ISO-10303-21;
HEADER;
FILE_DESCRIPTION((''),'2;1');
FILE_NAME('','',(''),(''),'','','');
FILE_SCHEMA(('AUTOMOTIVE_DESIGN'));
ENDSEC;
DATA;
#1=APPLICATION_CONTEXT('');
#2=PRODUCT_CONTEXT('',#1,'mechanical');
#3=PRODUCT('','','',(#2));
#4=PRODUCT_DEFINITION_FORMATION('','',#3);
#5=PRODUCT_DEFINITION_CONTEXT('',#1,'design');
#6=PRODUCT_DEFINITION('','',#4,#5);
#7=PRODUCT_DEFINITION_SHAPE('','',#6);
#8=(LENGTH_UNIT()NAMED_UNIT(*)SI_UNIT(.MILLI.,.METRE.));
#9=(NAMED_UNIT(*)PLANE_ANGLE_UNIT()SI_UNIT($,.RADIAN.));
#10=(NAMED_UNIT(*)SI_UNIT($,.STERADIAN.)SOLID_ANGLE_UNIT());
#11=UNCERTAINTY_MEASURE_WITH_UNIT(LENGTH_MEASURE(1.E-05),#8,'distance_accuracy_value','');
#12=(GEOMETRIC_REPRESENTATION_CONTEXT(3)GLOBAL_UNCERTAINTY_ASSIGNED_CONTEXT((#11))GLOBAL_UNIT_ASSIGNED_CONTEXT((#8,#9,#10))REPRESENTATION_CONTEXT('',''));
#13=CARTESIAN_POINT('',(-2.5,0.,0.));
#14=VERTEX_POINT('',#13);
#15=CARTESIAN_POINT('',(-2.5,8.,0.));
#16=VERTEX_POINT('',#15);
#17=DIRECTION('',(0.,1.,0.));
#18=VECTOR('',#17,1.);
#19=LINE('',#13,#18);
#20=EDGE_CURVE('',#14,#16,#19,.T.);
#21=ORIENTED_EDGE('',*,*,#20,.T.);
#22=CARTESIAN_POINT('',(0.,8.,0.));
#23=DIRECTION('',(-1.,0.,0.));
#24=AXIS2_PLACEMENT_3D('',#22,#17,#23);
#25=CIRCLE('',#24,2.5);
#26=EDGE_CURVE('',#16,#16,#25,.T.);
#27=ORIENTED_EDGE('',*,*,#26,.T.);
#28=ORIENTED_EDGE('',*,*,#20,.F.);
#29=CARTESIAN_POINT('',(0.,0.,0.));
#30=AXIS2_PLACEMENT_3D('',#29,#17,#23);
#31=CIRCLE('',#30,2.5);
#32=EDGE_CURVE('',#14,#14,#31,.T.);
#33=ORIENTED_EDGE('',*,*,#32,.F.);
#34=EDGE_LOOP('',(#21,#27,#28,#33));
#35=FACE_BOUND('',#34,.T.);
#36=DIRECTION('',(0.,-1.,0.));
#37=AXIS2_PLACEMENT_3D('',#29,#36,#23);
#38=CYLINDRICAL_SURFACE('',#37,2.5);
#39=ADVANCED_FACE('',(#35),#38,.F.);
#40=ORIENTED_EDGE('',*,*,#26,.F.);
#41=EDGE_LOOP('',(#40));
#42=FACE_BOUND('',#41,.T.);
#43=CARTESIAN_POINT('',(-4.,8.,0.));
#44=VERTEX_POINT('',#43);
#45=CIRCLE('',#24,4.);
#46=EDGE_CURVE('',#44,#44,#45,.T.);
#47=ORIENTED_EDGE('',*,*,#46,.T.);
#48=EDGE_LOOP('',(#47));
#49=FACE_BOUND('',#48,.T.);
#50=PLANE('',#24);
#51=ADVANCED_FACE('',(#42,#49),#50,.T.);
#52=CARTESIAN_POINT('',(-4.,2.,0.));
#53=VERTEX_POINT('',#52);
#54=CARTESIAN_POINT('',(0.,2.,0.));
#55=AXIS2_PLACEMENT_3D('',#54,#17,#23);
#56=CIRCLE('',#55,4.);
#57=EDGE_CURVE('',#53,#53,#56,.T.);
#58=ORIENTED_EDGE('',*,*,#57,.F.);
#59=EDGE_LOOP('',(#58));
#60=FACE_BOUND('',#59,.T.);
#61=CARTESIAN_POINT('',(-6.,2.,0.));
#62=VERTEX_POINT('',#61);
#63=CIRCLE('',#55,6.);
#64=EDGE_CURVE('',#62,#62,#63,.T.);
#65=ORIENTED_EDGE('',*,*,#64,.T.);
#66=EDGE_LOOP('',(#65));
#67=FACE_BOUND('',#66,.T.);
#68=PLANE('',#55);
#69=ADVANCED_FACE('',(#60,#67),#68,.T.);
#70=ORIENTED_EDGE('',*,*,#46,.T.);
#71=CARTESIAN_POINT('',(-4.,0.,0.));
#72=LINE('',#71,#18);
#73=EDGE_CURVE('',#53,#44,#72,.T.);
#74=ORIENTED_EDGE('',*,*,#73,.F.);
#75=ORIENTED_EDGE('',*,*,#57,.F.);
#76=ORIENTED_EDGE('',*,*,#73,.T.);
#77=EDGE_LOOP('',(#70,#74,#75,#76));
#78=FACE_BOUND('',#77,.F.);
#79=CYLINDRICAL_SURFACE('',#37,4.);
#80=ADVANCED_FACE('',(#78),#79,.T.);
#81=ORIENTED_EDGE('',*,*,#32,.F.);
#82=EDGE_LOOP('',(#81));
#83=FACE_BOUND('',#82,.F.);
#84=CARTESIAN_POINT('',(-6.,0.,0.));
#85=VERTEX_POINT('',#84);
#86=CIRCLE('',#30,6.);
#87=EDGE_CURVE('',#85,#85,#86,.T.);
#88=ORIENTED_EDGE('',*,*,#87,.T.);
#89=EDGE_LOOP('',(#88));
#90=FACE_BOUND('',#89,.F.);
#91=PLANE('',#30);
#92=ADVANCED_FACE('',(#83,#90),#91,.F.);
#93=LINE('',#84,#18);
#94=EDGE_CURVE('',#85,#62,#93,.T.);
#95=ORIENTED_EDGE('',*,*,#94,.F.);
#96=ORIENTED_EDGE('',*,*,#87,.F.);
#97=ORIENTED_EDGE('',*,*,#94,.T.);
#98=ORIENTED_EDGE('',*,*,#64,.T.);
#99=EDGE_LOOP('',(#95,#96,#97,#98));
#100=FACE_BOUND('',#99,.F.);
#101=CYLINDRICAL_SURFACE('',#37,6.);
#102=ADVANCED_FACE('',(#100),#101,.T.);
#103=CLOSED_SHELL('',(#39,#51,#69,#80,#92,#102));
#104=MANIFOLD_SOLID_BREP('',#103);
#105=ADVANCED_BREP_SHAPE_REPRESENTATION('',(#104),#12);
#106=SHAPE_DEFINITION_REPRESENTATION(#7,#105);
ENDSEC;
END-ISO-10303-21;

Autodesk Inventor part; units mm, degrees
ref_plane "YZ Plane" through (0, 0, 0) normal (1, 0, 0) x (0, 1, 0)
ref_plane "XZ Plane" through (0, 0, 0) normal (0, 1, 0) x (-1, 0, 0)
ref_plane "XY Plane" through (0, 0, 0) normal (0, 0, 1) x (1, 0, 0)
sketch "Эскиз1" plane through (0, 0, 0) normal (0, 1, 0) x (-1, 0, 0)
  circle A0 centre (0, 0) radius 4
  circle A1 centre (0, 0) radius 2.5
  circle A2 centre (0, 0) radius 6
  dimension "d0" = 5
  dimension "d1" = 8
  dimension "d2" = 12
extrude "Выдавливание1" add sketch "Эскиз1" along normal blind 8 contours A0
extrude "Выдавливание2" add sketch "Эскиз1" along normal blind 2 contours A2
properties part number "трап винт"
